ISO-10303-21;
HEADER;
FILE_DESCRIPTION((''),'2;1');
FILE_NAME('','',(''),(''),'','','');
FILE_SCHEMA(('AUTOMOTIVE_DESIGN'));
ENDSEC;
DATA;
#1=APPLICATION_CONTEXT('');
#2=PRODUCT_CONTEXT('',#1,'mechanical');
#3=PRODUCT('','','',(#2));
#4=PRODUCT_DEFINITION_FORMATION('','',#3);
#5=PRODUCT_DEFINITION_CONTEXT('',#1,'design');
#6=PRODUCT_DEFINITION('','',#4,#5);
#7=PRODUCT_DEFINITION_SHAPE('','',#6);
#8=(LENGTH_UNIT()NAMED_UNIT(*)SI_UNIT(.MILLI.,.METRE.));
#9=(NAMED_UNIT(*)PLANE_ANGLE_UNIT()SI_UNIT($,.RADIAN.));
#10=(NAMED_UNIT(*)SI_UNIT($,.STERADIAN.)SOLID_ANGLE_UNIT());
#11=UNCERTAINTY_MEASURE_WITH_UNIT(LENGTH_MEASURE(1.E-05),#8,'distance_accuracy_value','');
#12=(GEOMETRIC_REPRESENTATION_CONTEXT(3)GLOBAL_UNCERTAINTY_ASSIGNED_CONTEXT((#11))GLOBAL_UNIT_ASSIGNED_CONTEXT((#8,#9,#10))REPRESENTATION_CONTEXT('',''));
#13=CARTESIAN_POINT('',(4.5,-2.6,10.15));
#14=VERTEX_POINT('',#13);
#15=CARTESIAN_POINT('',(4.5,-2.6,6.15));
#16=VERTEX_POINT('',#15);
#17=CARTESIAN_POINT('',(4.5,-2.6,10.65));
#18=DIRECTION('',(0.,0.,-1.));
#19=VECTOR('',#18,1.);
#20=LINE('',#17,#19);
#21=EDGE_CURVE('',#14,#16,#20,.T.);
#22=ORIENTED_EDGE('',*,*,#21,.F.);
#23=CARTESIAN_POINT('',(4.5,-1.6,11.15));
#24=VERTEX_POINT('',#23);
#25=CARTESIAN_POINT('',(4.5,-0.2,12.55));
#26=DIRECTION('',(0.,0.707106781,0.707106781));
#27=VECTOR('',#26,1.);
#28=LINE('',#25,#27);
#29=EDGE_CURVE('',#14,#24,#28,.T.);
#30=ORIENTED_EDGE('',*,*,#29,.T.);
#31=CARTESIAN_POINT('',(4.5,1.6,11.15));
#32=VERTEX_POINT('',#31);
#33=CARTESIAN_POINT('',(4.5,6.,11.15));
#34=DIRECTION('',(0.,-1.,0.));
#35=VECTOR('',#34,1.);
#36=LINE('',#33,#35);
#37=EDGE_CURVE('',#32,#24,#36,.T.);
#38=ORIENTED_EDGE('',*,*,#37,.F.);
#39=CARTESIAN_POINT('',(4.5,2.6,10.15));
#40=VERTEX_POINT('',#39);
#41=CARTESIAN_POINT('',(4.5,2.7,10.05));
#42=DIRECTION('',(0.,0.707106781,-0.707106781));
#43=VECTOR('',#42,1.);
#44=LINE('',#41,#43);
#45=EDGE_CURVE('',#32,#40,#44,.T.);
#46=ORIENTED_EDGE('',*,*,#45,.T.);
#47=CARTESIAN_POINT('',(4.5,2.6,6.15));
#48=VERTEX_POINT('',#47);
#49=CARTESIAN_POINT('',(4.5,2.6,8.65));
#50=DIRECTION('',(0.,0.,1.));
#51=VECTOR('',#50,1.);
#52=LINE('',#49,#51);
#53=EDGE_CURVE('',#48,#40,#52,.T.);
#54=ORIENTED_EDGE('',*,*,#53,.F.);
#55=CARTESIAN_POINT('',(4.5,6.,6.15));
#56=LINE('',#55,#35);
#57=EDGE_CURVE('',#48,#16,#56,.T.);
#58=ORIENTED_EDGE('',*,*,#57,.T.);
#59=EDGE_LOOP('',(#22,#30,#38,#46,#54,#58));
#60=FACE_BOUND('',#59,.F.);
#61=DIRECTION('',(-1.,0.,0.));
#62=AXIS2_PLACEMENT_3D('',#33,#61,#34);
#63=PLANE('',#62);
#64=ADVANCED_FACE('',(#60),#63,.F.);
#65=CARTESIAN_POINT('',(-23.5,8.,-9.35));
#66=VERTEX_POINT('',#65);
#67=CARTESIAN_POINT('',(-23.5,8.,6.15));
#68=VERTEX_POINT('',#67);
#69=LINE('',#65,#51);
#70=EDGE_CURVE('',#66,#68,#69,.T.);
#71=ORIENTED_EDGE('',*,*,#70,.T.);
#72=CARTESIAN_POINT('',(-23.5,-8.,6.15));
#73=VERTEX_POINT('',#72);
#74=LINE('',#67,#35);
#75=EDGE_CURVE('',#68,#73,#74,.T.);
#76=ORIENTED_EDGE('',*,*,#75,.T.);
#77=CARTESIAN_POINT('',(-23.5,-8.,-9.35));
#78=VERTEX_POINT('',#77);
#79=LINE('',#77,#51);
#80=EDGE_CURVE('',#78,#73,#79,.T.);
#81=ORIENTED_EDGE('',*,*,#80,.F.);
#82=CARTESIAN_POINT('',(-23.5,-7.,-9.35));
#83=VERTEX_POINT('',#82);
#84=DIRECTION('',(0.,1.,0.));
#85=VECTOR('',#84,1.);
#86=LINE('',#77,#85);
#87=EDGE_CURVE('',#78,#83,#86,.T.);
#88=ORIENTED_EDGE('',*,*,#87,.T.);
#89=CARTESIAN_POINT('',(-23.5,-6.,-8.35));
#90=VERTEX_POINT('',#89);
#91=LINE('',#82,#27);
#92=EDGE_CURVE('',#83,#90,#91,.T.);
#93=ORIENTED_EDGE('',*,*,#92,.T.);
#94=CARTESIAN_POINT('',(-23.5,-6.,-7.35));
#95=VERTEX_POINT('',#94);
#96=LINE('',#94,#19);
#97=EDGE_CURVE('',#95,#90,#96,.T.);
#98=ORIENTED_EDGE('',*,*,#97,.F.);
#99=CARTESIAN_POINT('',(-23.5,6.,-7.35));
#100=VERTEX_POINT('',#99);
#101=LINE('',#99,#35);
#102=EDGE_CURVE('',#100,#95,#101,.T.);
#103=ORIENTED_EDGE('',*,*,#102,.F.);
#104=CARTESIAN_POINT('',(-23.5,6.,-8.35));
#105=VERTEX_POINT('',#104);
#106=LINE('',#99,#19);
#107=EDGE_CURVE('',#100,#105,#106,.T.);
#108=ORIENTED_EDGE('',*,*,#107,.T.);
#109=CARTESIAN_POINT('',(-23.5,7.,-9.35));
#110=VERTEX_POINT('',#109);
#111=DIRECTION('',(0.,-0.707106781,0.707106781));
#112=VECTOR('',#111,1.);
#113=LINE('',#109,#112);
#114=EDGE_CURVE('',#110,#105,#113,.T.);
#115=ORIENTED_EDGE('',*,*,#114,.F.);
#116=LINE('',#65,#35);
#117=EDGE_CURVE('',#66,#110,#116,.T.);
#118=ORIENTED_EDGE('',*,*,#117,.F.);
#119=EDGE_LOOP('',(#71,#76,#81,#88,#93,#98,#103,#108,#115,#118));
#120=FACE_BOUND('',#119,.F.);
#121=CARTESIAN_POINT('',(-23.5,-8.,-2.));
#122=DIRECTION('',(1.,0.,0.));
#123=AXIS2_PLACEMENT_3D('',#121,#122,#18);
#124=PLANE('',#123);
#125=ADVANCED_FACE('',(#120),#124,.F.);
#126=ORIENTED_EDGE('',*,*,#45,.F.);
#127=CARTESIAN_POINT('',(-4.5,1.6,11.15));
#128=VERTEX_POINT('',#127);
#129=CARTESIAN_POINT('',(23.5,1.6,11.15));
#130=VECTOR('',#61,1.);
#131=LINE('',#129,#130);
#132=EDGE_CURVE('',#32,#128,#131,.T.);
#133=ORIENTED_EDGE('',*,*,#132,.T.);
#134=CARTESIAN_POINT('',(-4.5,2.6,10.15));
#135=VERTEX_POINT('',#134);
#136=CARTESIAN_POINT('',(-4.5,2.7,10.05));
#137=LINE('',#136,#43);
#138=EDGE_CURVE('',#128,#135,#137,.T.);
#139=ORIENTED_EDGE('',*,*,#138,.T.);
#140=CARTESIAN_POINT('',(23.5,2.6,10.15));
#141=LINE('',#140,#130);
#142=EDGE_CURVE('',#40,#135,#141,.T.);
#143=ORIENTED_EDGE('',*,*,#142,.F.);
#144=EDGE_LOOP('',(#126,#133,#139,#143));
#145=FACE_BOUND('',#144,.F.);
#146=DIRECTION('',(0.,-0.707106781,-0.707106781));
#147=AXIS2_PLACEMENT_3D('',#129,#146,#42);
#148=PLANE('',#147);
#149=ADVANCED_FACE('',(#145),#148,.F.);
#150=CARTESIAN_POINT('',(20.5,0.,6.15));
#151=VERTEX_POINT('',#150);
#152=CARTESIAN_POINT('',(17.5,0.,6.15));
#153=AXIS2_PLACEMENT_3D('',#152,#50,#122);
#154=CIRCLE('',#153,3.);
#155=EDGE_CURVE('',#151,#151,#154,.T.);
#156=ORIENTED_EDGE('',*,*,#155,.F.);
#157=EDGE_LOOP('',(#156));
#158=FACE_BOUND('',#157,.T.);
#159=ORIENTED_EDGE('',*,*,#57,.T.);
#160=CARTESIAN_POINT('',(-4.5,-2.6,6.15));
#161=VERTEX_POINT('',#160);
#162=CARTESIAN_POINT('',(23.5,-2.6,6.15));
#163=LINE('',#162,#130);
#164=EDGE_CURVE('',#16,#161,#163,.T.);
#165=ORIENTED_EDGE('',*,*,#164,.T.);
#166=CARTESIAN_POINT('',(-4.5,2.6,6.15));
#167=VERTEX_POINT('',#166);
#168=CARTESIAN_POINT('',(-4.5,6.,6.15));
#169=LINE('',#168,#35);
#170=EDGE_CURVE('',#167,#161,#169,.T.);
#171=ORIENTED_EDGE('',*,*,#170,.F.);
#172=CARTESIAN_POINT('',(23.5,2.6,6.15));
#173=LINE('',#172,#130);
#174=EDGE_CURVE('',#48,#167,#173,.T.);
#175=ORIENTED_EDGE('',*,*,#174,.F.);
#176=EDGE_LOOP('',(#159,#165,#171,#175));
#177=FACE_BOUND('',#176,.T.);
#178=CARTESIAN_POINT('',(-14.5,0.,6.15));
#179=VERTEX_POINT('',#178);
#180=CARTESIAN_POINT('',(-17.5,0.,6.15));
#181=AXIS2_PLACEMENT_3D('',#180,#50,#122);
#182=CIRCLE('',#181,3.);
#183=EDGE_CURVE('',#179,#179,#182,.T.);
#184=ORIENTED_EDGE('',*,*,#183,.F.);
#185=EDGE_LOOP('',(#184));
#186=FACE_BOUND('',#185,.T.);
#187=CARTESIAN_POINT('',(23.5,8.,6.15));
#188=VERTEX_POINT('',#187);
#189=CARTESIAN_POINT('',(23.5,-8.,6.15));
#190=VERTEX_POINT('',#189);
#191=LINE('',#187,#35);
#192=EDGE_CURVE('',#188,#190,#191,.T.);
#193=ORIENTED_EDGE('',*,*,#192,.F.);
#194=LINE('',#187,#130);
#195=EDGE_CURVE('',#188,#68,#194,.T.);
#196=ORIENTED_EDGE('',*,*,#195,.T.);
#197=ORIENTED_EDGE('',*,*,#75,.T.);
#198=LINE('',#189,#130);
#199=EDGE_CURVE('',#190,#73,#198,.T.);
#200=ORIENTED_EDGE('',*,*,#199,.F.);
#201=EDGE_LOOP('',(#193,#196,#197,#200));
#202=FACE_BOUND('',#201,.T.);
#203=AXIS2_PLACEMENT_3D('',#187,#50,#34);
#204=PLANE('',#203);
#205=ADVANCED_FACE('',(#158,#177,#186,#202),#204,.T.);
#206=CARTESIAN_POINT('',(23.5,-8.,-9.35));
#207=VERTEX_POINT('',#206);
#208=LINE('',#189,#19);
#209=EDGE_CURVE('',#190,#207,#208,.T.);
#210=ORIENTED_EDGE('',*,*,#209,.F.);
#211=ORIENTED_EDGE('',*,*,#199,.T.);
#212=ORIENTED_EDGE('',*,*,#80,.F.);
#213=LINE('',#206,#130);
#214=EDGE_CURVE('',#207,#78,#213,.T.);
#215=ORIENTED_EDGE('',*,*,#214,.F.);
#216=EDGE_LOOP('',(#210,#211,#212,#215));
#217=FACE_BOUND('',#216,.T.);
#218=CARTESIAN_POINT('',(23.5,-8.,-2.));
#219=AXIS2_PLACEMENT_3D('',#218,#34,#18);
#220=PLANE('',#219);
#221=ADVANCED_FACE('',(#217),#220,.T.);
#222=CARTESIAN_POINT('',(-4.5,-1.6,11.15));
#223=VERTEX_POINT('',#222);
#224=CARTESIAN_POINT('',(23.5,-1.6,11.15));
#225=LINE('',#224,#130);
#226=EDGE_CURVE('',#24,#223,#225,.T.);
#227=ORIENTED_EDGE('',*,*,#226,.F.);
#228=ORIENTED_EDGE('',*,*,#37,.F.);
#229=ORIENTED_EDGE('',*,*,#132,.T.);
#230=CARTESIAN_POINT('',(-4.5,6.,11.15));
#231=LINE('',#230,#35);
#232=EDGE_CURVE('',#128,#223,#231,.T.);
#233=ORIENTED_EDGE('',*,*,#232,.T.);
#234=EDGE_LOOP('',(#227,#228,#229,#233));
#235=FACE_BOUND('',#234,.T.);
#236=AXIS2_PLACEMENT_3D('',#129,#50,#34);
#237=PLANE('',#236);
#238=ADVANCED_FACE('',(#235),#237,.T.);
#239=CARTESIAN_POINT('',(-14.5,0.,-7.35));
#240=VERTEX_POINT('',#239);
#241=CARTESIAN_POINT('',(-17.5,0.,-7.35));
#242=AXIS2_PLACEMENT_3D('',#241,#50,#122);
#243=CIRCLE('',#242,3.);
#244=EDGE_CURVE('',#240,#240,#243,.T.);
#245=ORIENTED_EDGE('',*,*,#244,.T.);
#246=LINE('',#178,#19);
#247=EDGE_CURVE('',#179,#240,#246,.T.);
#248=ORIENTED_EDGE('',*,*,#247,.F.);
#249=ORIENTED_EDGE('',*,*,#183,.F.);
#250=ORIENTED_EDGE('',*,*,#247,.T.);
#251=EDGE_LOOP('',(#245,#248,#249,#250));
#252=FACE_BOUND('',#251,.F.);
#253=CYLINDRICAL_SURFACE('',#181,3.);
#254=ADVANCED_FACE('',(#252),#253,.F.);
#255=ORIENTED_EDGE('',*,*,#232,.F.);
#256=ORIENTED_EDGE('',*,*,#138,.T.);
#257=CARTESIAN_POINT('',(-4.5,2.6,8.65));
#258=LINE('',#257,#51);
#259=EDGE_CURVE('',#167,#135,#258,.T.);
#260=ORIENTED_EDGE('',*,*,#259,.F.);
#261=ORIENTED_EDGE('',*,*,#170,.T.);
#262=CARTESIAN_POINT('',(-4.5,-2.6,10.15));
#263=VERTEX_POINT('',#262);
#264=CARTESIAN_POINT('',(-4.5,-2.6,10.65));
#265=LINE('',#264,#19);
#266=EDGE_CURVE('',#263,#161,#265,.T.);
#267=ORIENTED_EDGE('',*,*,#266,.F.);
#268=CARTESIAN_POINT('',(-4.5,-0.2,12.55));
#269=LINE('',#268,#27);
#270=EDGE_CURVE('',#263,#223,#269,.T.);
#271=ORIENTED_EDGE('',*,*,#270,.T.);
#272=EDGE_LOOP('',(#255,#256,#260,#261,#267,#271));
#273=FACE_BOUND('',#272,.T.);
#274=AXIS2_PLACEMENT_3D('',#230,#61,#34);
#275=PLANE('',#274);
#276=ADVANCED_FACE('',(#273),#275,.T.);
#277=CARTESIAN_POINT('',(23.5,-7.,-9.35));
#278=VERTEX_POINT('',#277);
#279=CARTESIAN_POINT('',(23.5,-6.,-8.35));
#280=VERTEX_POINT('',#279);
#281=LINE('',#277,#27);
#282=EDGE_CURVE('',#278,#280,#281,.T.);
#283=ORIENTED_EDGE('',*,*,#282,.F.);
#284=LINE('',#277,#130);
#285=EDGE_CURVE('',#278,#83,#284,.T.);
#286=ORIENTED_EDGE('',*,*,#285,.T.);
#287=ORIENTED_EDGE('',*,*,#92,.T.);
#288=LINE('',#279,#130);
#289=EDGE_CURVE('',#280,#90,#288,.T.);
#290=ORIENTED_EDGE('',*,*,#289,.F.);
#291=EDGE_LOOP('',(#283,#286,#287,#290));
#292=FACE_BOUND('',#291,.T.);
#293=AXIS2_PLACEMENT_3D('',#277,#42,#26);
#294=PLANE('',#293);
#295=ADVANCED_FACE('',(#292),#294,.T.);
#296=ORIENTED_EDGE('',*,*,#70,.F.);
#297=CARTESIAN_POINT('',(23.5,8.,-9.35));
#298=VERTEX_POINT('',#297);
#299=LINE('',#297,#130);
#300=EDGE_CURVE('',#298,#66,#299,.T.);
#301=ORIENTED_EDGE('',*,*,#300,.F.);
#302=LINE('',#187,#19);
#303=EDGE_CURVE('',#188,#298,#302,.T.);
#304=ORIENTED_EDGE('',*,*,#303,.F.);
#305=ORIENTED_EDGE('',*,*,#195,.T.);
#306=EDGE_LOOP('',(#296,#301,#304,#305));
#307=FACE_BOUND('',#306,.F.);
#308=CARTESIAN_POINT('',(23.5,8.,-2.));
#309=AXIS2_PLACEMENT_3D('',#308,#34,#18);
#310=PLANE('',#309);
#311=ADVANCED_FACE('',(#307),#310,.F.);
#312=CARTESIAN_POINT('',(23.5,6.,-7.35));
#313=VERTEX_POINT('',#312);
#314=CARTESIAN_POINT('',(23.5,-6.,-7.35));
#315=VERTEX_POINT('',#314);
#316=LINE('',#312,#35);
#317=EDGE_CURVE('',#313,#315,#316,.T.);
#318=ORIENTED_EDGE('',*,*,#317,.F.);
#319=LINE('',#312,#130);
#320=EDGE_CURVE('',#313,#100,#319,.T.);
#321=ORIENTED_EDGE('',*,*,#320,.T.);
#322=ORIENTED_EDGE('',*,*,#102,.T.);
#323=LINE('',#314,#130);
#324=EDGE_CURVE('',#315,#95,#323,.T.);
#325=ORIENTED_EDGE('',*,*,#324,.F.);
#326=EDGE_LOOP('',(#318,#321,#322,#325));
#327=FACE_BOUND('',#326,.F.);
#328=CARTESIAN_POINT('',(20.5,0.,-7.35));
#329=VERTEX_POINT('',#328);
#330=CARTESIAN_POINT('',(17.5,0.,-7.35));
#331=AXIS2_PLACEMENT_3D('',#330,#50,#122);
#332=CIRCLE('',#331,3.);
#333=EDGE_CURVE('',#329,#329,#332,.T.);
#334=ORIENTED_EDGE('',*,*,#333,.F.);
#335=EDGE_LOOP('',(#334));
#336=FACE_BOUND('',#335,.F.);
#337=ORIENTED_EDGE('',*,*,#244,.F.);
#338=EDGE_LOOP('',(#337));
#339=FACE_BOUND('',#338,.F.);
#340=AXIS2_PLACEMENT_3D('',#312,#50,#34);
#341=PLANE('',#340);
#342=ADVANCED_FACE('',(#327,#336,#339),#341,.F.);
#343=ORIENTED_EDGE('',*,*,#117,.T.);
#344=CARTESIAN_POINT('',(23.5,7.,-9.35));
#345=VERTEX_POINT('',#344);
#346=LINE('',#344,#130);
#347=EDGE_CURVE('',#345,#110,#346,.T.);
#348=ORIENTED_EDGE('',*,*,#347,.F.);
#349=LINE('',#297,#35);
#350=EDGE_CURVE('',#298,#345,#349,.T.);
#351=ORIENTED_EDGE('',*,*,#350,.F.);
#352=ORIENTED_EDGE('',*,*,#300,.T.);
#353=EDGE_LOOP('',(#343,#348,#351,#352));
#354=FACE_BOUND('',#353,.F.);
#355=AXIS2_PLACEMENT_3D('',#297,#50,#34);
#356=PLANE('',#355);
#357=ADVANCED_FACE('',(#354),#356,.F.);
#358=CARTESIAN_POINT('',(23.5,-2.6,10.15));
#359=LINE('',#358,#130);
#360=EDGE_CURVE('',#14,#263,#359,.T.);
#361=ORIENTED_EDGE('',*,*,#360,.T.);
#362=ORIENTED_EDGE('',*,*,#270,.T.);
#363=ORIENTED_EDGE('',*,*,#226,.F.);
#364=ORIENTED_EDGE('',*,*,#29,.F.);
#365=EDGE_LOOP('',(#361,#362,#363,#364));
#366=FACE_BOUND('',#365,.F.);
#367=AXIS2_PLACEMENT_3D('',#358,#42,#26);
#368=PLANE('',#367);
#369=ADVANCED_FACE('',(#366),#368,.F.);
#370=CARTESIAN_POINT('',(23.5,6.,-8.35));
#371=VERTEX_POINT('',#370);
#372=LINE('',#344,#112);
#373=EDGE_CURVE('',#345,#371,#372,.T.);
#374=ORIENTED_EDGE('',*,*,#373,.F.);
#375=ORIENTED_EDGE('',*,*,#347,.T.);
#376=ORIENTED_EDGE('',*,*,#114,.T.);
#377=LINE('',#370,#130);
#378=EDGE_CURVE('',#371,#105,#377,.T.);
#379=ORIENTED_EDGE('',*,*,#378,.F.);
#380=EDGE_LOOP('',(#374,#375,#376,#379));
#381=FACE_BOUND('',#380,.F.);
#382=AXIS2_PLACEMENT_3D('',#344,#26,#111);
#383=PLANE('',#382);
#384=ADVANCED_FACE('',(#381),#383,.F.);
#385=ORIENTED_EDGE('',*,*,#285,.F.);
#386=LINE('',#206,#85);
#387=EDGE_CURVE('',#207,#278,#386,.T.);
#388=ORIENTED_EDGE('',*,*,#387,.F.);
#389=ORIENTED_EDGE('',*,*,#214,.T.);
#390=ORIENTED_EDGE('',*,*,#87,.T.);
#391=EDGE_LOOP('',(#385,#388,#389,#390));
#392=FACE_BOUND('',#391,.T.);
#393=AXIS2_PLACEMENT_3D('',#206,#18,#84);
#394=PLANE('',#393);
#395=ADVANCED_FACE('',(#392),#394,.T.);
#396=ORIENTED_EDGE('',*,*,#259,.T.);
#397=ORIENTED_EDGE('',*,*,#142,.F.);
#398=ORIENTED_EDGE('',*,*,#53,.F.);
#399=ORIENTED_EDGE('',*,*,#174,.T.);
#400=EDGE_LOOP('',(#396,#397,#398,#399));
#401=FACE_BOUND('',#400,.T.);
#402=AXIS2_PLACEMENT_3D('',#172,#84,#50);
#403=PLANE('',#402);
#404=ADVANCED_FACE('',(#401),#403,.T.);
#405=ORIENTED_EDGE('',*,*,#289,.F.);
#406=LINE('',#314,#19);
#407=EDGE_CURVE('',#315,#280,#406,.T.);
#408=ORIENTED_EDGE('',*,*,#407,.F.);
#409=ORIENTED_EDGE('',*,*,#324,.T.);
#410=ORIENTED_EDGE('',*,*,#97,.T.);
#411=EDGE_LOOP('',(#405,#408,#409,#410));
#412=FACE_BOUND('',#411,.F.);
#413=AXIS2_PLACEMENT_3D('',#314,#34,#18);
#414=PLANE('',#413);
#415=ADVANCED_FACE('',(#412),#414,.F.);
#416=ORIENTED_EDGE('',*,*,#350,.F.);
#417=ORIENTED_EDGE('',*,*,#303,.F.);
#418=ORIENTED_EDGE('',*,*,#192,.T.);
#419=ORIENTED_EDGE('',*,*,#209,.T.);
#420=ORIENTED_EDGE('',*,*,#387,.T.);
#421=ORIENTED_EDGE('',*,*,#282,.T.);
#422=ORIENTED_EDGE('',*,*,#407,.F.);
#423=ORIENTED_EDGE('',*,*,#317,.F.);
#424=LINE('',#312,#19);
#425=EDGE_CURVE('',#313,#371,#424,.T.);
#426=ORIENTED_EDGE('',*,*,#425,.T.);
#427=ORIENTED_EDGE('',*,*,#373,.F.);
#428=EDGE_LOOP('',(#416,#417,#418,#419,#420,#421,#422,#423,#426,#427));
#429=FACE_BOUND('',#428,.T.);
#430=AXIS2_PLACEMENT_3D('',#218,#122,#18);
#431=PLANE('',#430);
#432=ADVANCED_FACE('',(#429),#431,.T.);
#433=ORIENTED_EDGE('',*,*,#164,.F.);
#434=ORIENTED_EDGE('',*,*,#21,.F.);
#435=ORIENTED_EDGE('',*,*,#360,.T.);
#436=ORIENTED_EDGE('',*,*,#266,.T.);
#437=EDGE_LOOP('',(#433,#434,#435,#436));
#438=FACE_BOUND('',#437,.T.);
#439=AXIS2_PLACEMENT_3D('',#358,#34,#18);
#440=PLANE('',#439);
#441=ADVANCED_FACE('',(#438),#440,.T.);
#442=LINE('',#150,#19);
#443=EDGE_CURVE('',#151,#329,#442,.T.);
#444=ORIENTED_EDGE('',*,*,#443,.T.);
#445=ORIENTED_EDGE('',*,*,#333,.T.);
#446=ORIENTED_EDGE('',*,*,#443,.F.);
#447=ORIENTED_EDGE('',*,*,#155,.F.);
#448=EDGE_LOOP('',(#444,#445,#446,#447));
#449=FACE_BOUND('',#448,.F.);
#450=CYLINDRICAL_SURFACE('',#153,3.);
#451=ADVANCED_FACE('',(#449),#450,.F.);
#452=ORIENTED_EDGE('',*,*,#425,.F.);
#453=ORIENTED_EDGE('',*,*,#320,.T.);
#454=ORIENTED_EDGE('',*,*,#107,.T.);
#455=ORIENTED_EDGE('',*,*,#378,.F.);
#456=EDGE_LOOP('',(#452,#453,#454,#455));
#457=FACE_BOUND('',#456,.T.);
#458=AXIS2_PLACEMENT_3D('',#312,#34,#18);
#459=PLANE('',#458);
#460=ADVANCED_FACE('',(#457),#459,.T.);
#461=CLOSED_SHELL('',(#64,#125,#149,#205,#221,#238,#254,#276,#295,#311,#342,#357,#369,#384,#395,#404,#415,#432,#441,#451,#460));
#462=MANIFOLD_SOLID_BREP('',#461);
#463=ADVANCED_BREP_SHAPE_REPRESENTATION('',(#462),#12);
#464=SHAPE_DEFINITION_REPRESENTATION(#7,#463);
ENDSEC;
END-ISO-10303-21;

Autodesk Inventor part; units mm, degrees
ref_plane "YZ Plane" through (0, 0, 0) normal (1, 0, 0) x (0, 1, 0)
ref_plane "XZ Plane" through (0, 0, 0) normal (0, 1, 0) x (-1, 0, 0)
ref_plane "XY Plane" through (0, 0, 0) normal (0, 0, 1) x (1, 0, 0)
ref_plane "작업 평면1" through (23.5, -8, -2) normal (1, 0, 0) x (0, 0, -1)
sketch "스케치1" plane through (23.5, -8, -2) normal (1, 0, 0) x (0, 0, -1)
  line L0 (0, 16) -> (-8.15, 16) projected
  line L1 (-8.15, 16) -> (-8.15, 10.6) projected
  line L2 (-8.15, 10.6) -> (-12.15, 10.6) projected
  line L3 (-13.15, 9.6) -> (-12.15, 10.6) projected
  line L4 (-13.15, 9.6) -> (-13.15, 6.4) projected
  line L5 (-12.15, 5.4) -> (-13.15, 6.4) projected
  line L6 (-12.15, 5.4) -> (-8.15, 5.4) projected
  line L7 (-8.15, 5.4) -> (-8.15, 0) projected
  line L8 (-8.15, 0) -> (0, 0) projected
  line L9 (0, 16) -> (7.35, 16)
  line L10 (7.35, 16) -> (7.35, 15)
  line L11 (7.35, 15) -> (6.35, 14)
  line L12 (5.35, 14) -> (5.35, 2)
  line L13 (5.35, 14) -> (6.35, 14)
  line L14 (0, 0) -> (7.35, 0)
  line L15 (7.35, 0) -> (7.35, 1)
  line L16 (7.35, 1) -> (6.35, 2)
  line L17 (5.35, 2) -> (6.35, 2)
  line L18 (0, 16) -> (-8.15, 16)
  line L19 (-8.15, 10.6) -> (-12.15, 10.6) projected
  line L20 (-8.15, 10.6) -> (-12.15, 10.6)
  line L21 (-12.15, 10.6) -> (-13.15, 9.6)
  line L22 (-13.15, 6.4) -> (-12.15, 5.4)
  point P0 (-2, 8)
  dimension "d1" = 7.35
sketch "스케치2" plane through (-23.5, 8, 6.15) normal (0, 0, 1) x (1, 0, 0)
  arc A0 (7.9209, -9.6) -> (7.9209, -6.4) centre (6, -8) ccw projected
  line L0 (39.0791, -9.6) -> (7.9209, -9.6) projected
  circle A1 centre (6, -8) radius 2.5
  circle A2 centre (41, -8) radius 2.5 projected
  circle A3 centre (41, -8) radius 2.5
  point P0 (23.5, -8)
  point P1 (7.9209, -6.4)
extrude "돌출1" add sketch "스케치1" against normal up to surface (47 mm away)
extrude "돌출2" cut sketch "스케치2" along normal mid plane 50
sketch "스케치3" plane through (-15.5791, 1.6, 11.15) normal (0, 0, 1) x (1, 0, 0)
  line L0 (15.5791, -14.4593) -> (15.5791, 15.5737)
  line L1 (-7.9209, 4.4) -> (-7.9209, -7.6) projected
  line L2 (-7.9209, 4.4) -> (11.0791, 4.4)
  line L3 (11.0791, 4.4) -> (11.0791, -7.6)
  line L4 (11.0791, -7.6) -> (-7.9209, -7.6)
  line L5 (-7.9209, -7.6) -> (-7.9209, 4.4)
  line L6 (39.0791, 4.4) -> (39.0791, -7.6)
  line L7 (39.0791, 4.4) -> (20.0791, 4.4)
  line L8 (20.0791, 4.4) -> (20.0791, -7.6)
  line L9 (20.0791, -7.6) -> (39.0791, -7.6)
  line L10 (39.0791, -7.6) -> (39.0791, 4.4)
  point P0 (15.5791, -1.6)
  dimension "d9" = 19
extrude "돌출3" cut sketch "스케치3" against normal up to surface (5 mm away)
sketch "스케치4" plane through (-23.5, 8, 6.15) normal (0, 0, 1) x (1, 0, 0)
  circle A0 centre (6, -8) radius 2.5 projected
  circle A1 centre (6, -8) radius 3
  circle A2 centre (41, -8) radius 2.5 projected
  circle A3 centre (41, -8) radius 3
  point P0 (23.5, -8)
  dimension "d10" = 6
  dimension "d11" = 6
extrude "돌출4" cut sketch "스케치4" against normal up to surface (13.5 mm away) contours A0 | A1 | A2 | A3
properties part number "Bearing Spacer_1mmUP"
